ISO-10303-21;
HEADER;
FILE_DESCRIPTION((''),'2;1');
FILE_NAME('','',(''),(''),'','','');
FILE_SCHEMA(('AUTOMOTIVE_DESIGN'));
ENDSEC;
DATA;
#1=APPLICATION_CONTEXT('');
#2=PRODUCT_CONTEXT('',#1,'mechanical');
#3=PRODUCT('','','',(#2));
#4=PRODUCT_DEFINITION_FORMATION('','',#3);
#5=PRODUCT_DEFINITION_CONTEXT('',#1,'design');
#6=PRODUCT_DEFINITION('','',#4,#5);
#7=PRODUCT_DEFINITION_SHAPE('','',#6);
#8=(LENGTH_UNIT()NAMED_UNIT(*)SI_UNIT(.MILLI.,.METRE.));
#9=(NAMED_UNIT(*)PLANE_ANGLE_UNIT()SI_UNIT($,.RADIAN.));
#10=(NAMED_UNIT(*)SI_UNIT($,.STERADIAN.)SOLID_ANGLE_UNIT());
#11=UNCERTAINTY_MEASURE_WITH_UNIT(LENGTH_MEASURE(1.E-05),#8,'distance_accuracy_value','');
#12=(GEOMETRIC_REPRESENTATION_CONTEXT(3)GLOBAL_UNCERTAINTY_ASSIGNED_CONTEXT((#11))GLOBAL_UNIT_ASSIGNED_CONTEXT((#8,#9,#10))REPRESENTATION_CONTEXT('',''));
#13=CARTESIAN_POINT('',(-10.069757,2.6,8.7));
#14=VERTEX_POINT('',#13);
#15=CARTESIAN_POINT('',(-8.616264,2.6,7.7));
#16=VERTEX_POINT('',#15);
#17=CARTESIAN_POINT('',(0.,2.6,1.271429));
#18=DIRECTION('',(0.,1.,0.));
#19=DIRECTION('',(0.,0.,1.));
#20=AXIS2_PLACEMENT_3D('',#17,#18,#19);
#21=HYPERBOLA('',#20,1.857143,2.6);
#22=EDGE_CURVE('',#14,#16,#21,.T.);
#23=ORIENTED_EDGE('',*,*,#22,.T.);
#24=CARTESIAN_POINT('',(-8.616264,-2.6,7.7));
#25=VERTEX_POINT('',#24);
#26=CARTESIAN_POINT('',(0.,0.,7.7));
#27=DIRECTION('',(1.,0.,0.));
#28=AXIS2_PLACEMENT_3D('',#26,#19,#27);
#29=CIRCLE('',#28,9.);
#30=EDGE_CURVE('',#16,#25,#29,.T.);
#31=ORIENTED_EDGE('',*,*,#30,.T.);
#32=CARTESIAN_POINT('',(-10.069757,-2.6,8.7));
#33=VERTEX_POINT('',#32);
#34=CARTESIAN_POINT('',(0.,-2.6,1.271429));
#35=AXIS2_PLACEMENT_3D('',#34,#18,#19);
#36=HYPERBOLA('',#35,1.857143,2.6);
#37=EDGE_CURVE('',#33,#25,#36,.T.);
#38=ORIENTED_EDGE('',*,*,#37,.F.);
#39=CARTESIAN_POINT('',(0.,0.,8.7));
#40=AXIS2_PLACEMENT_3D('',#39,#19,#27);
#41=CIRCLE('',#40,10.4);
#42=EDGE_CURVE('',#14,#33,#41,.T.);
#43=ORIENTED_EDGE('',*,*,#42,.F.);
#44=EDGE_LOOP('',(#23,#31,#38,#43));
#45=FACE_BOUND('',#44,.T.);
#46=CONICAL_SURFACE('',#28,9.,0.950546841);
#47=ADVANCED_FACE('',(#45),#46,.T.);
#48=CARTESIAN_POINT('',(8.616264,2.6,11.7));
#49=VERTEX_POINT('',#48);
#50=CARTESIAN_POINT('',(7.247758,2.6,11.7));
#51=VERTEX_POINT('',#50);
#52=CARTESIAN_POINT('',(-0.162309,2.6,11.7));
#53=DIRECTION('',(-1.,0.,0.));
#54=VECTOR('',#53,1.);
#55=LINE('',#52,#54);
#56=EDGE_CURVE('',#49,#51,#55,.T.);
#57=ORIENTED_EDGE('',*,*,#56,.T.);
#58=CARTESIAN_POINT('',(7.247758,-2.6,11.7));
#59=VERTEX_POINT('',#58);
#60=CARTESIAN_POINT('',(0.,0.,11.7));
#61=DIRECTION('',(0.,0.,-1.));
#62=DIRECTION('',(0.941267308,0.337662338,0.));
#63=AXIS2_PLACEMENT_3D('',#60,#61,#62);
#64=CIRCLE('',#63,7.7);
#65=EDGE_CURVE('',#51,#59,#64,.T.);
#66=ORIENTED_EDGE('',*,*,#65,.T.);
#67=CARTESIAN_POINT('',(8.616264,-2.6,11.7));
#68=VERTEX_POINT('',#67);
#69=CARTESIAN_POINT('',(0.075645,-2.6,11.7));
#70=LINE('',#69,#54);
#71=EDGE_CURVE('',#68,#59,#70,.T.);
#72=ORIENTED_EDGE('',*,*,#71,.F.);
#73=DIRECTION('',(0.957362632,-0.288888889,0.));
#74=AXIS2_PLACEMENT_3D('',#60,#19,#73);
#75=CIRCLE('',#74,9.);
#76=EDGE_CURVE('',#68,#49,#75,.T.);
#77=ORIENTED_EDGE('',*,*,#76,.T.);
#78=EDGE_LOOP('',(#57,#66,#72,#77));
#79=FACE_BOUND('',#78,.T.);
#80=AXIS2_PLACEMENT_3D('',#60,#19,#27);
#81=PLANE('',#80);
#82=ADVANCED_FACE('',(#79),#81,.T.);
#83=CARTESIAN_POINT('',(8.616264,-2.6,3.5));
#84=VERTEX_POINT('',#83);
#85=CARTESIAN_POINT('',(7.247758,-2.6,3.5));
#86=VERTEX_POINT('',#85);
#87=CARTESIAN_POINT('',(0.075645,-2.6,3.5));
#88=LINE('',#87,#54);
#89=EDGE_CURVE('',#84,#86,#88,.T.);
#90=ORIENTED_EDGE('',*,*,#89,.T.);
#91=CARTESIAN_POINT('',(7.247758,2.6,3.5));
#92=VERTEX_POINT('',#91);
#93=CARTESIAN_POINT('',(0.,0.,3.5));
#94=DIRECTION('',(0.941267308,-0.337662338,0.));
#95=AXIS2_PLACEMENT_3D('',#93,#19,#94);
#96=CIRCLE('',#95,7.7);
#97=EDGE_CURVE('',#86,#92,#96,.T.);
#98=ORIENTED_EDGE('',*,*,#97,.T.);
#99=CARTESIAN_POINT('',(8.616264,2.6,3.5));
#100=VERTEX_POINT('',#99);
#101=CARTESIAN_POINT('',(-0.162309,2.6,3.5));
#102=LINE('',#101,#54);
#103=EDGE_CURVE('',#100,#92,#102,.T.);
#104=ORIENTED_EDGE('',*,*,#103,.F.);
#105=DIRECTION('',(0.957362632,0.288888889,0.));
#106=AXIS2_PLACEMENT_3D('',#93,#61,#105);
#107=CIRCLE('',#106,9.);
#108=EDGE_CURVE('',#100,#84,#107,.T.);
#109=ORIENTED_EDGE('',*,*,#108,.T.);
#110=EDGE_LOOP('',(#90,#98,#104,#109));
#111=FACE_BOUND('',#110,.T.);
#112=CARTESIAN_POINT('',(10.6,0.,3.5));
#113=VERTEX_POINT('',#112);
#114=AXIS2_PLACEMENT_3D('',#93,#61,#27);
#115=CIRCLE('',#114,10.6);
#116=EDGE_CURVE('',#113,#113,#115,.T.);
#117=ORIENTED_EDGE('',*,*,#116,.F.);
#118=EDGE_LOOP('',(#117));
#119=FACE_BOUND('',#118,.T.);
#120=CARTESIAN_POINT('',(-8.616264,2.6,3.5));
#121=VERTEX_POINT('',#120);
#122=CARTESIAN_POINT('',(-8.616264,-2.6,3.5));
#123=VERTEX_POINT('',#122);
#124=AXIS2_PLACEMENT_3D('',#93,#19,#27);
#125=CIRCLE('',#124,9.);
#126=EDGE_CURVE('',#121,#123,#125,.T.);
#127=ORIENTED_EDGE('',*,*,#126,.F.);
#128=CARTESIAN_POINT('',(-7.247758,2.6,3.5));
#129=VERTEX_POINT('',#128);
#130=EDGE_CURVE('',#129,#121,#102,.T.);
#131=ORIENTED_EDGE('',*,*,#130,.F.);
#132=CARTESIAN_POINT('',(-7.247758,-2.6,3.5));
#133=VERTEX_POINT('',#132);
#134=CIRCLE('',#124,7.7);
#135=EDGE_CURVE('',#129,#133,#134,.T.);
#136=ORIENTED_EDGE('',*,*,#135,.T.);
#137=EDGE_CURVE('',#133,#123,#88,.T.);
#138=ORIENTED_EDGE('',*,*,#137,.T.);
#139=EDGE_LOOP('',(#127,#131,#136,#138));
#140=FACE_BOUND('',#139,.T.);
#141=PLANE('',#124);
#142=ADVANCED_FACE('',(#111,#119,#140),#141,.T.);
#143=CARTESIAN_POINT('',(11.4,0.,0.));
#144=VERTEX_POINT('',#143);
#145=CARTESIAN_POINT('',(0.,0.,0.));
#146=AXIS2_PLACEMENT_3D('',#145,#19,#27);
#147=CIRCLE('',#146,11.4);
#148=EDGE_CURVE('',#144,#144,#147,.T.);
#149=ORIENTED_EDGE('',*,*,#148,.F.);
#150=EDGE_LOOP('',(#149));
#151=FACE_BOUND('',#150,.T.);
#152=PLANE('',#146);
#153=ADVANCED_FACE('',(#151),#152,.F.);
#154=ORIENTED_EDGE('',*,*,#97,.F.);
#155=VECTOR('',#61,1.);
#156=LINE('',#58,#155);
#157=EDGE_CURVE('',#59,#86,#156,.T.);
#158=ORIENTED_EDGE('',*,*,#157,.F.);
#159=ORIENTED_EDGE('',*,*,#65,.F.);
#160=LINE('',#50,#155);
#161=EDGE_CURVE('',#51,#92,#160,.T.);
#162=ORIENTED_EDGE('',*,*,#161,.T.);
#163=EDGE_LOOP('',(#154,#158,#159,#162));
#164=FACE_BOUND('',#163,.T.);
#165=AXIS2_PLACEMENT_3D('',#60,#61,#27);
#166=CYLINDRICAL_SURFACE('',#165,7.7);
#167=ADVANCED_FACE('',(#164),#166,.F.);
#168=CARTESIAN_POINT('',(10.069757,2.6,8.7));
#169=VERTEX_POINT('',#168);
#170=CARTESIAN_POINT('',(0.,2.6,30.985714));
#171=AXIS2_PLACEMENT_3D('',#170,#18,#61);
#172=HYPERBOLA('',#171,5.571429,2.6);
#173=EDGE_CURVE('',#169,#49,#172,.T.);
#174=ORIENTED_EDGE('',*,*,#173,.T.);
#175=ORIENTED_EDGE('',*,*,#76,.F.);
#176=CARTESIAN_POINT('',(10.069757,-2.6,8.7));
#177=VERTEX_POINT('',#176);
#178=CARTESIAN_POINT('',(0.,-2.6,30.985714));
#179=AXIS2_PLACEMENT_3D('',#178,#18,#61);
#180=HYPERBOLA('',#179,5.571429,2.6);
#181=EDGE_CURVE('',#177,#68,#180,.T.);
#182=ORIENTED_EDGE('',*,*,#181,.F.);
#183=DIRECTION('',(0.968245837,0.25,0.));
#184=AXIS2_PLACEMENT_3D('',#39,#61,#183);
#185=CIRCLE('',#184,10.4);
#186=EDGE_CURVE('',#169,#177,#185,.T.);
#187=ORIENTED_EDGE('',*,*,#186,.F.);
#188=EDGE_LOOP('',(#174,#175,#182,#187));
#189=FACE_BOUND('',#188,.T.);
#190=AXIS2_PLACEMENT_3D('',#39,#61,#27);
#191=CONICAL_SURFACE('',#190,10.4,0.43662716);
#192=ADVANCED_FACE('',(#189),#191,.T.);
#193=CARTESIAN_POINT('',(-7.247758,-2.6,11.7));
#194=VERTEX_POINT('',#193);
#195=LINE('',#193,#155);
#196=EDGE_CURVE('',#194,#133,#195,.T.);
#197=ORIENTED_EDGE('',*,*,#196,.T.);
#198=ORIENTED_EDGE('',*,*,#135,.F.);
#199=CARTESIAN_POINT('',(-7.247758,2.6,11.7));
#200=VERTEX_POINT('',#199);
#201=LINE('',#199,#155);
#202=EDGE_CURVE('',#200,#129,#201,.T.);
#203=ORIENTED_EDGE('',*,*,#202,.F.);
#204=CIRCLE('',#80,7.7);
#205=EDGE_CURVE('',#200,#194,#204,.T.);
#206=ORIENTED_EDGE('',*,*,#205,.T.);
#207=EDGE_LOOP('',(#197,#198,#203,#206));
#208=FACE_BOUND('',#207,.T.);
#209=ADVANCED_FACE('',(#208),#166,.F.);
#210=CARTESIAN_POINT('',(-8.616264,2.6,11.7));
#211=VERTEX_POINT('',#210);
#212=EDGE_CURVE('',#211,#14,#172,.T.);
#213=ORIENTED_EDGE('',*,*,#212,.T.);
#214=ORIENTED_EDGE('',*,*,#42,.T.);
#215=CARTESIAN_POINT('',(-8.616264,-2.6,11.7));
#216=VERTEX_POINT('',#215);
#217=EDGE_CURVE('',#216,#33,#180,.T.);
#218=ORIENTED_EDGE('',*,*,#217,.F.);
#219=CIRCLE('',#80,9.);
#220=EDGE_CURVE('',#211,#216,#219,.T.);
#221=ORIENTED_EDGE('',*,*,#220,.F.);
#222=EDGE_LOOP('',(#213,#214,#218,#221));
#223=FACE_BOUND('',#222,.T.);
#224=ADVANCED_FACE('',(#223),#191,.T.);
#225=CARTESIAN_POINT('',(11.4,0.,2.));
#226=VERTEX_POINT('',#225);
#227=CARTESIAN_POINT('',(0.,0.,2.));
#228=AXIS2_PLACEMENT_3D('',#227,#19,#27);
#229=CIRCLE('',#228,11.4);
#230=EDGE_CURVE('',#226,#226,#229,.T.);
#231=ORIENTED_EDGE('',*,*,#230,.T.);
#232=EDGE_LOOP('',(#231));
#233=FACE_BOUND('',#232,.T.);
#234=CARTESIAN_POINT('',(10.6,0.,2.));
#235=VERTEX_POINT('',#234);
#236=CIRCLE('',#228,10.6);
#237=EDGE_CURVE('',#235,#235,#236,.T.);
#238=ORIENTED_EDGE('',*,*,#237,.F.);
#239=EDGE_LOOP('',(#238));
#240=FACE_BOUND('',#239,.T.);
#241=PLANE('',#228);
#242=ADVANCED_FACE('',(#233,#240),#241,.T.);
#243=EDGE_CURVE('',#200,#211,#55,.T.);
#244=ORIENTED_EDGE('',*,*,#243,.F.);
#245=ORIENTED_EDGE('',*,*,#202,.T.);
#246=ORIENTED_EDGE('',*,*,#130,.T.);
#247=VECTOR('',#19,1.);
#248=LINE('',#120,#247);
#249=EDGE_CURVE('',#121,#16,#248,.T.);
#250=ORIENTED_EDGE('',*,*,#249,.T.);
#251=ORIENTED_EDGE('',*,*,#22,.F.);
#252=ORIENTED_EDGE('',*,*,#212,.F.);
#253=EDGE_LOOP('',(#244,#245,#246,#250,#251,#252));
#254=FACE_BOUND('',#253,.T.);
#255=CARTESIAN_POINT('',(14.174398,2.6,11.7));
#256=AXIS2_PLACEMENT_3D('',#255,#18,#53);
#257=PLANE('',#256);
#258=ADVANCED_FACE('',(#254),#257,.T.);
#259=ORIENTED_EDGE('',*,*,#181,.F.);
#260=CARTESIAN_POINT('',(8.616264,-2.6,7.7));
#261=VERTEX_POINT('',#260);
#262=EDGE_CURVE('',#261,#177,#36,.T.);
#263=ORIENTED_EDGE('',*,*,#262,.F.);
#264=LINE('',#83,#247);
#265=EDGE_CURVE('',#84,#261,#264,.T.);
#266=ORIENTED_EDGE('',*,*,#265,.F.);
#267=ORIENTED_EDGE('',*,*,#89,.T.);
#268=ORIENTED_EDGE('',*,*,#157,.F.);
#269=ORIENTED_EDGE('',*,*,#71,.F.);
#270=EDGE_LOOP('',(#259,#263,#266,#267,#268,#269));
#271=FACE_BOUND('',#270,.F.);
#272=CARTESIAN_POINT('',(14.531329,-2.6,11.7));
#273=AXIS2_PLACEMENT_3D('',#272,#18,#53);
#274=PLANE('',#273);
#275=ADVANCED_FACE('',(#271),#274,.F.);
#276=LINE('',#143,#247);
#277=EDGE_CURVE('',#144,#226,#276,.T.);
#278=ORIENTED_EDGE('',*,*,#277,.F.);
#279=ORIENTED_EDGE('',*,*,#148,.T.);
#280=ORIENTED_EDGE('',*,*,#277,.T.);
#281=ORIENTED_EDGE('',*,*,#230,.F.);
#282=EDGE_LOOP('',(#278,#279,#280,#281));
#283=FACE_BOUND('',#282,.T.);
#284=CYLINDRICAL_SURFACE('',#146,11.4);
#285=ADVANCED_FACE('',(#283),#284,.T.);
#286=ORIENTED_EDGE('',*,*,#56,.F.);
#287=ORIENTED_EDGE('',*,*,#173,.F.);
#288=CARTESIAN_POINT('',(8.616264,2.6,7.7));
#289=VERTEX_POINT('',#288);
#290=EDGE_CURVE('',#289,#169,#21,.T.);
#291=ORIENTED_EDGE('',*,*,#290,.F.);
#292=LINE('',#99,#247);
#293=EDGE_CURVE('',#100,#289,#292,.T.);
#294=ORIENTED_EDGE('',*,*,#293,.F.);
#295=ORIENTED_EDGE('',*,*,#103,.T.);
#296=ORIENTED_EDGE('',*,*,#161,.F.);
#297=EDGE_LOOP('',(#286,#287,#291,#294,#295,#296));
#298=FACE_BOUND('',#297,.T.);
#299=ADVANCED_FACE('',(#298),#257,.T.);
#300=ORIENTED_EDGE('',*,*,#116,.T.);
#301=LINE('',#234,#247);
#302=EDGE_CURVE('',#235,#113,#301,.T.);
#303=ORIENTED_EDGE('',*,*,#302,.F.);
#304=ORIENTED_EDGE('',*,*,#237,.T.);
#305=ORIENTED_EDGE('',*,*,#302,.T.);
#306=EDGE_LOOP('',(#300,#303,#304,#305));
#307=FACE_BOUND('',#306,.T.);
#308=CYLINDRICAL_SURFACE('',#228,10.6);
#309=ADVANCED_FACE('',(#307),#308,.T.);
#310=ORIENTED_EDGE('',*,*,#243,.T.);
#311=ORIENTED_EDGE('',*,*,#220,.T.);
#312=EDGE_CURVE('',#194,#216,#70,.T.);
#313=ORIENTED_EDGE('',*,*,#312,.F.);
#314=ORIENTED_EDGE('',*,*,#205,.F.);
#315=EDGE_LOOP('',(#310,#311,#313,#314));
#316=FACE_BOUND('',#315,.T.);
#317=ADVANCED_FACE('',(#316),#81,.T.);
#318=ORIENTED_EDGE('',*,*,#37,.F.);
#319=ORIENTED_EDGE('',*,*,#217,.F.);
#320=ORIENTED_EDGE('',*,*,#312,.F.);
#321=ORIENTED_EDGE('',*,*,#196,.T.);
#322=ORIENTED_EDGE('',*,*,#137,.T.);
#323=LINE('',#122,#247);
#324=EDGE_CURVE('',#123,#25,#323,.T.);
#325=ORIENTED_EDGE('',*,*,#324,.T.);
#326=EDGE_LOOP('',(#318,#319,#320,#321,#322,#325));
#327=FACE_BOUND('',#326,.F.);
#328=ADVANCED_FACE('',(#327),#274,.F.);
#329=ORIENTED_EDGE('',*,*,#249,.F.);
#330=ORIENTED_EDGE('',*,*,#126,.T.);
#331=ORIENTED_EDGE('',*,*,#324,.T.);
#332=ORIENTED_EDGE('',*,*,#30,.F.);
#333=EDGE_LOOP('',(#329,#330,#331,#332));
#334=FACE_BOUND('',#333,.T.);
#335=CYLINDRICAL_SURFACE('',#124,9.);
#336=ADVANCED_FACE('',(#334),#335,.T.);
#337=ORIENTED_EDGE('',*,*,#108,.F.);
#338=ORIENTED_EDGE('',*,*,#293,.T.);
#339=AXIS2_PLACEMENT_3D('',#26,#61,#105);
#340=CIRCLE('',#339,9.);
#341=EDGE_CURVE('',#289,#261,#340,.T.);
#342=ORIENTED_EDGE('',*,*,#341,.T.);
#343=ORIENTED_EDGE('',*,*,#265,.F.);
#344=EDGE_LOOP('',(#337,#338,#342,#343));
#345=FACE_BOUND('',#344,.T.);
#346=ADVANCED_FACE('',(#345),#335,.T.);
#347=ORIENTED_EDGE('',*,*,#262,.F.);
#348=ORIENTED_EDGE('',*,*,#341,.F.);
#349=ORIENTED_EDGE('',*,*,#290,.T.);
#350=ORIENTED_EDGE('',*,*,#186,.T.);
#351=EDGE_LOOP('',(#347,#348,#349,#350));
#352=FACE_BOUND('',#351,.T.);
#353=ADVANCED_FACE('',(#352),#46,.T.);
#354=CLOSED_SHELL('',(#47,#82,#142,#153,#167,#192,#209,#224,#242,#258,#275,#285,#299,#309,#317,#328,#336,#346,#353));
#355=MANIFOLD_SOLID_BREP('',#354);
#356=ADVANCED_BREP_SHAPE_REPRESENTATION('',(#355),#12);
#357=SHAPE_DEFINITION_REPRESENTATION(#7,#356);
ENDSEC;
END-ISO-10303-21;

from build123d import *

# Parameters (mm, degrees)
SKETCH001_W   = 28.911368
SKETCH001_H   = 11.888076
SKETCH001_W_2 = 28.673414
SKETCH001_H_2 = 9.741194
POCKET_DEPTH  = 8.2


with BuildPart() as part:
    # Sketch → Revolution (revolve)
    with BuildSketch(Plane.XZ):
        Polygon((0, 0), (11.4, 0), (11.4, 2), (10.6, 2), (10.6, 3.5), (9, 3.5), (9, 7.7), (10.4, 8.7), (9, 11.7), (7.7, 11.7), (7.7, 3.5), (0, 3.5), align=None)
    revolve(axis=Axis((0, 0, 0), (0, 0, 1)))

    # Sketch001 (on Face9 of Revolution) → Pocket (cut)
    with BuildSketch(Plane(origin=(0, 0, 11.7), x_dir=(-1, 0, 0), z_dir=(0, 0, 1))):
        with Locations((-0.075645, 8.544038)):
            Rectangle(SKETCH001_W, SKETCH001_H)
        with Locations((0.162309, -7.470597)):
            Rectangle(SKETCH001_W_2, SKETCH001_H_2)
    extrude(amount=-POCKET_DEPTH, mode=Mode.SUBTRACT)


solid = part.part
